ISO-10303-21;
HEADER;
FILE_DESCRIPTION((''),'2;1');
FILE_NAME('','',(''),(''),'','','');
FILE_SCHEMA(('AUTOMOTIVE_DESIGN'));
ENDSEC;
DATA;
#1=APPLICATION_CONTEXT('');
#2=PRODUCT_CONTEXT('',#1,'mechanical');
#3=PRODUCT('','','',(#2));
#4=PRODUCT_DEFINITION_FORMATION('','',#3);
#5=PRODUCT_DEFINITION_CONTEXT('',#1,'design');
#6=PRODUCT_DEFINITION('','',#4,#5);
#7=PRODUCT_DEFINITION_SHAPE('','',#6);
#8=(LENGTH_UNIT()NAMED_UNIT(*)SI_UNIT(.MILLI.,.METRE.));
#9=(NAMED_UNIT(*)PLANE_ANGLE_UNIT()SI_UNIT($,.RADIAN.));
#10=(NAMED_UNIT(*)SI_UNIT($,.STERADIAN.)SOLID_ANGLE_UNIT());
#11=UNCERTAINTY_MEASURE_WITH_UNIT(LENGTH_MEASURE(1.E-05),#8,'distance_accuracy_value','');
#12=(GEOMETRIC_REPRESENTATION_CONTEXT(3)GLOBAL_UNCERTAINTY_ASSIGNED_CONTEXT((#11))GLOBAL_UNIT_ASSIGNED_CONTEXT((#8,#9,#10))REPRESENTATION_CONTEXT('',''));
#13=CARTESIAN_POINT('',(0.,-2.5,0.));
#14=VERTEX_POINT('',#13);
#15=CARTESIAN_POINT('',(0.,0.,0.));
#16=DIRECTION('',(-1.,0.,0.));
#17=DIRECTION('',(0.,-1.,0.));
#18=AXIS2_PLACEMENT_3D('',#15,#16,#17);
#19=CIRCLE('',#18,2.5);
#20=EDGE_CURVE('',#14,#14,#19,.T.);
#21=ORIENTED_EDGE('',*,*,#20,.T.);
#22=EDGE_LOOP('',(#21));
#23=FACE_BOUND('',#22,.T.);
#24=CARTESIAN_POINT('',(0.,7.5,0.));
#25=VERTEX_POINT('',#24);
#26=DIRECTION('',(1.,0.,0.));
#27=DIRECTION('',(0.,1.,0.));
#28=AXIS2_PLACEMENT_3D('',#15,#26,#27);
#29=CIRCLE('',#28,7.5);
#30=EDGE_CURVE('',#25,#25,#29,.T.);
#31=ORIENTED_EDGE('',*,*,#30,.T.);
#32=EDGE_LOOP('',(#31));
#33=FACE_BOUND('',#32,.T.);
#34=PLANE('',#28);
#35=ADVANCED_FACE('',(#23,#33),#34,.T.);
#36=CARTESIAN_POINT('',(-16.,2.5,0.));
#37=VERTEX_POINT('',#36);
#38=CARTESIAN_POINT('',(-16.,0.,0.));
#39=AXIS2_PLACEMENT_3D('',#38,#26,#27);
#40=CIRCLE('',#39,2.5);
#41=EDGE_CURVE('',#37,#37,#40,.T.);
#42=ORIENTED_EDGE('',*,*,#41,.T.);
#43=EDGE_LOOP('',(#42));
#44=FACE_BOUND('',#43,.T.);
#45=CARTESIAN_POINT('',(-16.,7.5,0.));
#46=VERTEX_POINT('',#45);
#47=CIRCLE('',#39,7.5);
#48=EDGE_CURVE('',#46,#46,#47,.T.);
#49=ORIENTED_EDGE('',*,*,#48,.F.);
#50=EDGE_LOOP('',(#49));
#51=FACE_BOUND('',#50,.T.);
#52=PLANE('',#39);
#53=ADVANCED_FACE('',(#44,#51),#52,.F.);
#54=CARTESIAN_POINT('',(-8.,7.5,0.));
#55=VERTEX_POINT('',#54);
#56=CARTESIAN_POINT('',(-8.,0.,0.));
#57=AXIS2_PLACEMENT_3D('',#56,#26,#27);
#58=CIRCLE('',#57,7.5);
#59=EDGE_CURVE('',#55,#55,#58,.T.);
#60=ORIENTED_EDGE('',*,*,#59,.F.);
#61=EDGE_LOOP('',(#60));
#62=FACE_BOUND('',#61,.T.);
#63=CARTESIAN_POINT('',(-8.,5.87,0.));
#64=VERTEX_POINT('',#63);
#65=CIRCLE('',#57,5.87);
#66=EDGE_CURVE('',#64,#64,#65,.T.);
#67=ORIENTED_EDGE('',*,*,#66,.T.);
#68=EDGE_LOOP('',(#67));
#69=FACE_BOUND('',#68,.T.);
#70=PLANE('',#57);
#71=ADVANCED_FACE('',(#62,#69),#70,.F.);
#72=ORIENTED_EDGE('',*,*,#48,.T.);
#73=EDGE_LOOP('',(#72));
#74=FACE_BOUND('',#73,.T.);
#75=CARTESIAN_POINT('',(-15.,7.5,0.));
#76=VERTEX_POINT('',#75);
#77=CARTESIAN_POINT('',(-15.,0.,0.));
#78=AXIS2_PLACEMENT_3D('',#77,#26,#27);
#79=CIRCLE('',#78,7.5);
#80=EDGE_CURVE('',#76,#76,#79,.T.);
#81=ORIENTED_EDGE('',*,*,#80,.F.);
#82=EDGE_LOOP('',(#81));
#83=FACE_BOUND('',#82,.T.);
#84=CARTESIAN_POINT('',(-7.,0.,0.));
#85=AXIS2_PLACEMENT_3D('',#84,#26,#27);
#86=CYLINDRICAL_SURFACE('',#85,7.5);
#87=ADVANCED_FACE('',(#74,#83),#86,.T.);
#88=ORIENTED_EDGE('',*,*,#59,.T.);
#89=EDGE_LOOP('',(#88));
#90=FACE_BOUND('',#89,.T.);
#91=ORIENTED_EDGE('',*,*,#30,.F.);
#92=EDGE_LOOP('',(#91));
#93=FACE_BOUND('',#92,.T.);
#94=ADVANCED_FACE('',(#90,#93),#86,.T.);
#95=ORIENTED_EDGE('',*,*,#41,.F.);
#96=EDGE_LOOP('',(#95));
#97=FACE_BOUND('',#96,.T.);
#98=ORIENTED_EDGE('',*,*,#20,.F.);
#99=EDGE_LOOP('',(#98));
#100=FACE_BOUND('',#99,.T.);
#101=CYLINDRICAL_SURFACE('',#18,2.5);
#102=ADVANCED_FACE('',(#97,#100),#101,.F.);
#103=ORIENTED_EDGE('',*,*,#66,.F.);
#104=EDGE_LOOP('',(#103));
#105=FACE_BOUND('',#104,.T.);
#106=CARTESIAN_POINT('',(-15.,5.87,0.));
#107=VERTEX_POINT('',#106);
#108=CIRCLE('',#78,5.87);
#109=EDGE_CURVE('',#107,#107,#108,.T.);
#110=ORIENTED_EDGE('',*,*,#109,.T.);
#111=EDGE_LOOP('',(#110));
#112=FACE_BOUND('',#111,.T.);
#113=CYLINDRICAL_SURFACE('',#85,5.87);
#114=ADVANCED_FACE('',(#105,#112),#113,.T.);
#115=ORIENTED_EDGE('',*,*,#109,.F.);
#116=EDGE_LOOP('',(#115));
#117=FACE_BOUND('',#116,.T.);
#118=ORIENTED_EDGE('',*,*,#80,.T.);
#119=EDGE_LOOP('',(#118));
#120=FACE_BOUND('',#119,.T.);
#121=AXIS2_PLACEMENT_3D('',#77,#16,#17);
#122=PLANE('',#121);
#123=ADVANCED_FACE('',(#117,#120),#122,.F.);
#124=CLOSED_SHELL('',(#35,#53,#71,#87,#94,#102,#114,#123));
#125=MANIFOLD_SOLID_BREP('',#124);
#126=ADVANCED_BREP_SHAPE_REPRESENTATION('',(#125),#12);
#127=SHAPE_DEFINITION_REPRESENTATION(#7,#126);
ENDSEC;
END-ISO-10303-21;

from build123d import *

# Parameters (mm, degrees)
SKETCH1_W               = 7
SKETCH1_H               = 7.5
SKETCH2_R               = 2.5
CUT_EXTRUDE1_DEPTH      = 1
CUT_EXTRUDE1_DEPTH_BACK = 17


with BuildPart() as part:
    # Sketch1 → Revolve1 (revolve)
    with BuildSketch(Plane.XY):
        Polygon((-7, 7.5), (-7, 0), (-16, 0), (-16, 7.5), (-15, 7.5), (-15, 5.87), (-8, 5.87), (-8, 7.5), align=None)
        with Locations((-3.5, 3.75)):
            Rectangle(SKETCH1_W, SKETCH1_H)
    revolve(axis=Axis((-7, 0, 0), (-1, 0, 0)))

    # Sketch2 → Cut-Extrude1 (cut, two sides)
    with BuildSketch(Plane.ZY.offset(16)) as cut_extrude1_sk:
        Circle(SKETCH2_R)
    extrude(amount=CUT_EXTRUDE1_DEPTH, mode=Mode.SUBTRACT)
    extrude(cut_extrude1_sk.sketch, amount=-CUT_EXTRUDE1_DEPTH_BACK, mode=Mode.SUBTRACT)


solid = part.part
